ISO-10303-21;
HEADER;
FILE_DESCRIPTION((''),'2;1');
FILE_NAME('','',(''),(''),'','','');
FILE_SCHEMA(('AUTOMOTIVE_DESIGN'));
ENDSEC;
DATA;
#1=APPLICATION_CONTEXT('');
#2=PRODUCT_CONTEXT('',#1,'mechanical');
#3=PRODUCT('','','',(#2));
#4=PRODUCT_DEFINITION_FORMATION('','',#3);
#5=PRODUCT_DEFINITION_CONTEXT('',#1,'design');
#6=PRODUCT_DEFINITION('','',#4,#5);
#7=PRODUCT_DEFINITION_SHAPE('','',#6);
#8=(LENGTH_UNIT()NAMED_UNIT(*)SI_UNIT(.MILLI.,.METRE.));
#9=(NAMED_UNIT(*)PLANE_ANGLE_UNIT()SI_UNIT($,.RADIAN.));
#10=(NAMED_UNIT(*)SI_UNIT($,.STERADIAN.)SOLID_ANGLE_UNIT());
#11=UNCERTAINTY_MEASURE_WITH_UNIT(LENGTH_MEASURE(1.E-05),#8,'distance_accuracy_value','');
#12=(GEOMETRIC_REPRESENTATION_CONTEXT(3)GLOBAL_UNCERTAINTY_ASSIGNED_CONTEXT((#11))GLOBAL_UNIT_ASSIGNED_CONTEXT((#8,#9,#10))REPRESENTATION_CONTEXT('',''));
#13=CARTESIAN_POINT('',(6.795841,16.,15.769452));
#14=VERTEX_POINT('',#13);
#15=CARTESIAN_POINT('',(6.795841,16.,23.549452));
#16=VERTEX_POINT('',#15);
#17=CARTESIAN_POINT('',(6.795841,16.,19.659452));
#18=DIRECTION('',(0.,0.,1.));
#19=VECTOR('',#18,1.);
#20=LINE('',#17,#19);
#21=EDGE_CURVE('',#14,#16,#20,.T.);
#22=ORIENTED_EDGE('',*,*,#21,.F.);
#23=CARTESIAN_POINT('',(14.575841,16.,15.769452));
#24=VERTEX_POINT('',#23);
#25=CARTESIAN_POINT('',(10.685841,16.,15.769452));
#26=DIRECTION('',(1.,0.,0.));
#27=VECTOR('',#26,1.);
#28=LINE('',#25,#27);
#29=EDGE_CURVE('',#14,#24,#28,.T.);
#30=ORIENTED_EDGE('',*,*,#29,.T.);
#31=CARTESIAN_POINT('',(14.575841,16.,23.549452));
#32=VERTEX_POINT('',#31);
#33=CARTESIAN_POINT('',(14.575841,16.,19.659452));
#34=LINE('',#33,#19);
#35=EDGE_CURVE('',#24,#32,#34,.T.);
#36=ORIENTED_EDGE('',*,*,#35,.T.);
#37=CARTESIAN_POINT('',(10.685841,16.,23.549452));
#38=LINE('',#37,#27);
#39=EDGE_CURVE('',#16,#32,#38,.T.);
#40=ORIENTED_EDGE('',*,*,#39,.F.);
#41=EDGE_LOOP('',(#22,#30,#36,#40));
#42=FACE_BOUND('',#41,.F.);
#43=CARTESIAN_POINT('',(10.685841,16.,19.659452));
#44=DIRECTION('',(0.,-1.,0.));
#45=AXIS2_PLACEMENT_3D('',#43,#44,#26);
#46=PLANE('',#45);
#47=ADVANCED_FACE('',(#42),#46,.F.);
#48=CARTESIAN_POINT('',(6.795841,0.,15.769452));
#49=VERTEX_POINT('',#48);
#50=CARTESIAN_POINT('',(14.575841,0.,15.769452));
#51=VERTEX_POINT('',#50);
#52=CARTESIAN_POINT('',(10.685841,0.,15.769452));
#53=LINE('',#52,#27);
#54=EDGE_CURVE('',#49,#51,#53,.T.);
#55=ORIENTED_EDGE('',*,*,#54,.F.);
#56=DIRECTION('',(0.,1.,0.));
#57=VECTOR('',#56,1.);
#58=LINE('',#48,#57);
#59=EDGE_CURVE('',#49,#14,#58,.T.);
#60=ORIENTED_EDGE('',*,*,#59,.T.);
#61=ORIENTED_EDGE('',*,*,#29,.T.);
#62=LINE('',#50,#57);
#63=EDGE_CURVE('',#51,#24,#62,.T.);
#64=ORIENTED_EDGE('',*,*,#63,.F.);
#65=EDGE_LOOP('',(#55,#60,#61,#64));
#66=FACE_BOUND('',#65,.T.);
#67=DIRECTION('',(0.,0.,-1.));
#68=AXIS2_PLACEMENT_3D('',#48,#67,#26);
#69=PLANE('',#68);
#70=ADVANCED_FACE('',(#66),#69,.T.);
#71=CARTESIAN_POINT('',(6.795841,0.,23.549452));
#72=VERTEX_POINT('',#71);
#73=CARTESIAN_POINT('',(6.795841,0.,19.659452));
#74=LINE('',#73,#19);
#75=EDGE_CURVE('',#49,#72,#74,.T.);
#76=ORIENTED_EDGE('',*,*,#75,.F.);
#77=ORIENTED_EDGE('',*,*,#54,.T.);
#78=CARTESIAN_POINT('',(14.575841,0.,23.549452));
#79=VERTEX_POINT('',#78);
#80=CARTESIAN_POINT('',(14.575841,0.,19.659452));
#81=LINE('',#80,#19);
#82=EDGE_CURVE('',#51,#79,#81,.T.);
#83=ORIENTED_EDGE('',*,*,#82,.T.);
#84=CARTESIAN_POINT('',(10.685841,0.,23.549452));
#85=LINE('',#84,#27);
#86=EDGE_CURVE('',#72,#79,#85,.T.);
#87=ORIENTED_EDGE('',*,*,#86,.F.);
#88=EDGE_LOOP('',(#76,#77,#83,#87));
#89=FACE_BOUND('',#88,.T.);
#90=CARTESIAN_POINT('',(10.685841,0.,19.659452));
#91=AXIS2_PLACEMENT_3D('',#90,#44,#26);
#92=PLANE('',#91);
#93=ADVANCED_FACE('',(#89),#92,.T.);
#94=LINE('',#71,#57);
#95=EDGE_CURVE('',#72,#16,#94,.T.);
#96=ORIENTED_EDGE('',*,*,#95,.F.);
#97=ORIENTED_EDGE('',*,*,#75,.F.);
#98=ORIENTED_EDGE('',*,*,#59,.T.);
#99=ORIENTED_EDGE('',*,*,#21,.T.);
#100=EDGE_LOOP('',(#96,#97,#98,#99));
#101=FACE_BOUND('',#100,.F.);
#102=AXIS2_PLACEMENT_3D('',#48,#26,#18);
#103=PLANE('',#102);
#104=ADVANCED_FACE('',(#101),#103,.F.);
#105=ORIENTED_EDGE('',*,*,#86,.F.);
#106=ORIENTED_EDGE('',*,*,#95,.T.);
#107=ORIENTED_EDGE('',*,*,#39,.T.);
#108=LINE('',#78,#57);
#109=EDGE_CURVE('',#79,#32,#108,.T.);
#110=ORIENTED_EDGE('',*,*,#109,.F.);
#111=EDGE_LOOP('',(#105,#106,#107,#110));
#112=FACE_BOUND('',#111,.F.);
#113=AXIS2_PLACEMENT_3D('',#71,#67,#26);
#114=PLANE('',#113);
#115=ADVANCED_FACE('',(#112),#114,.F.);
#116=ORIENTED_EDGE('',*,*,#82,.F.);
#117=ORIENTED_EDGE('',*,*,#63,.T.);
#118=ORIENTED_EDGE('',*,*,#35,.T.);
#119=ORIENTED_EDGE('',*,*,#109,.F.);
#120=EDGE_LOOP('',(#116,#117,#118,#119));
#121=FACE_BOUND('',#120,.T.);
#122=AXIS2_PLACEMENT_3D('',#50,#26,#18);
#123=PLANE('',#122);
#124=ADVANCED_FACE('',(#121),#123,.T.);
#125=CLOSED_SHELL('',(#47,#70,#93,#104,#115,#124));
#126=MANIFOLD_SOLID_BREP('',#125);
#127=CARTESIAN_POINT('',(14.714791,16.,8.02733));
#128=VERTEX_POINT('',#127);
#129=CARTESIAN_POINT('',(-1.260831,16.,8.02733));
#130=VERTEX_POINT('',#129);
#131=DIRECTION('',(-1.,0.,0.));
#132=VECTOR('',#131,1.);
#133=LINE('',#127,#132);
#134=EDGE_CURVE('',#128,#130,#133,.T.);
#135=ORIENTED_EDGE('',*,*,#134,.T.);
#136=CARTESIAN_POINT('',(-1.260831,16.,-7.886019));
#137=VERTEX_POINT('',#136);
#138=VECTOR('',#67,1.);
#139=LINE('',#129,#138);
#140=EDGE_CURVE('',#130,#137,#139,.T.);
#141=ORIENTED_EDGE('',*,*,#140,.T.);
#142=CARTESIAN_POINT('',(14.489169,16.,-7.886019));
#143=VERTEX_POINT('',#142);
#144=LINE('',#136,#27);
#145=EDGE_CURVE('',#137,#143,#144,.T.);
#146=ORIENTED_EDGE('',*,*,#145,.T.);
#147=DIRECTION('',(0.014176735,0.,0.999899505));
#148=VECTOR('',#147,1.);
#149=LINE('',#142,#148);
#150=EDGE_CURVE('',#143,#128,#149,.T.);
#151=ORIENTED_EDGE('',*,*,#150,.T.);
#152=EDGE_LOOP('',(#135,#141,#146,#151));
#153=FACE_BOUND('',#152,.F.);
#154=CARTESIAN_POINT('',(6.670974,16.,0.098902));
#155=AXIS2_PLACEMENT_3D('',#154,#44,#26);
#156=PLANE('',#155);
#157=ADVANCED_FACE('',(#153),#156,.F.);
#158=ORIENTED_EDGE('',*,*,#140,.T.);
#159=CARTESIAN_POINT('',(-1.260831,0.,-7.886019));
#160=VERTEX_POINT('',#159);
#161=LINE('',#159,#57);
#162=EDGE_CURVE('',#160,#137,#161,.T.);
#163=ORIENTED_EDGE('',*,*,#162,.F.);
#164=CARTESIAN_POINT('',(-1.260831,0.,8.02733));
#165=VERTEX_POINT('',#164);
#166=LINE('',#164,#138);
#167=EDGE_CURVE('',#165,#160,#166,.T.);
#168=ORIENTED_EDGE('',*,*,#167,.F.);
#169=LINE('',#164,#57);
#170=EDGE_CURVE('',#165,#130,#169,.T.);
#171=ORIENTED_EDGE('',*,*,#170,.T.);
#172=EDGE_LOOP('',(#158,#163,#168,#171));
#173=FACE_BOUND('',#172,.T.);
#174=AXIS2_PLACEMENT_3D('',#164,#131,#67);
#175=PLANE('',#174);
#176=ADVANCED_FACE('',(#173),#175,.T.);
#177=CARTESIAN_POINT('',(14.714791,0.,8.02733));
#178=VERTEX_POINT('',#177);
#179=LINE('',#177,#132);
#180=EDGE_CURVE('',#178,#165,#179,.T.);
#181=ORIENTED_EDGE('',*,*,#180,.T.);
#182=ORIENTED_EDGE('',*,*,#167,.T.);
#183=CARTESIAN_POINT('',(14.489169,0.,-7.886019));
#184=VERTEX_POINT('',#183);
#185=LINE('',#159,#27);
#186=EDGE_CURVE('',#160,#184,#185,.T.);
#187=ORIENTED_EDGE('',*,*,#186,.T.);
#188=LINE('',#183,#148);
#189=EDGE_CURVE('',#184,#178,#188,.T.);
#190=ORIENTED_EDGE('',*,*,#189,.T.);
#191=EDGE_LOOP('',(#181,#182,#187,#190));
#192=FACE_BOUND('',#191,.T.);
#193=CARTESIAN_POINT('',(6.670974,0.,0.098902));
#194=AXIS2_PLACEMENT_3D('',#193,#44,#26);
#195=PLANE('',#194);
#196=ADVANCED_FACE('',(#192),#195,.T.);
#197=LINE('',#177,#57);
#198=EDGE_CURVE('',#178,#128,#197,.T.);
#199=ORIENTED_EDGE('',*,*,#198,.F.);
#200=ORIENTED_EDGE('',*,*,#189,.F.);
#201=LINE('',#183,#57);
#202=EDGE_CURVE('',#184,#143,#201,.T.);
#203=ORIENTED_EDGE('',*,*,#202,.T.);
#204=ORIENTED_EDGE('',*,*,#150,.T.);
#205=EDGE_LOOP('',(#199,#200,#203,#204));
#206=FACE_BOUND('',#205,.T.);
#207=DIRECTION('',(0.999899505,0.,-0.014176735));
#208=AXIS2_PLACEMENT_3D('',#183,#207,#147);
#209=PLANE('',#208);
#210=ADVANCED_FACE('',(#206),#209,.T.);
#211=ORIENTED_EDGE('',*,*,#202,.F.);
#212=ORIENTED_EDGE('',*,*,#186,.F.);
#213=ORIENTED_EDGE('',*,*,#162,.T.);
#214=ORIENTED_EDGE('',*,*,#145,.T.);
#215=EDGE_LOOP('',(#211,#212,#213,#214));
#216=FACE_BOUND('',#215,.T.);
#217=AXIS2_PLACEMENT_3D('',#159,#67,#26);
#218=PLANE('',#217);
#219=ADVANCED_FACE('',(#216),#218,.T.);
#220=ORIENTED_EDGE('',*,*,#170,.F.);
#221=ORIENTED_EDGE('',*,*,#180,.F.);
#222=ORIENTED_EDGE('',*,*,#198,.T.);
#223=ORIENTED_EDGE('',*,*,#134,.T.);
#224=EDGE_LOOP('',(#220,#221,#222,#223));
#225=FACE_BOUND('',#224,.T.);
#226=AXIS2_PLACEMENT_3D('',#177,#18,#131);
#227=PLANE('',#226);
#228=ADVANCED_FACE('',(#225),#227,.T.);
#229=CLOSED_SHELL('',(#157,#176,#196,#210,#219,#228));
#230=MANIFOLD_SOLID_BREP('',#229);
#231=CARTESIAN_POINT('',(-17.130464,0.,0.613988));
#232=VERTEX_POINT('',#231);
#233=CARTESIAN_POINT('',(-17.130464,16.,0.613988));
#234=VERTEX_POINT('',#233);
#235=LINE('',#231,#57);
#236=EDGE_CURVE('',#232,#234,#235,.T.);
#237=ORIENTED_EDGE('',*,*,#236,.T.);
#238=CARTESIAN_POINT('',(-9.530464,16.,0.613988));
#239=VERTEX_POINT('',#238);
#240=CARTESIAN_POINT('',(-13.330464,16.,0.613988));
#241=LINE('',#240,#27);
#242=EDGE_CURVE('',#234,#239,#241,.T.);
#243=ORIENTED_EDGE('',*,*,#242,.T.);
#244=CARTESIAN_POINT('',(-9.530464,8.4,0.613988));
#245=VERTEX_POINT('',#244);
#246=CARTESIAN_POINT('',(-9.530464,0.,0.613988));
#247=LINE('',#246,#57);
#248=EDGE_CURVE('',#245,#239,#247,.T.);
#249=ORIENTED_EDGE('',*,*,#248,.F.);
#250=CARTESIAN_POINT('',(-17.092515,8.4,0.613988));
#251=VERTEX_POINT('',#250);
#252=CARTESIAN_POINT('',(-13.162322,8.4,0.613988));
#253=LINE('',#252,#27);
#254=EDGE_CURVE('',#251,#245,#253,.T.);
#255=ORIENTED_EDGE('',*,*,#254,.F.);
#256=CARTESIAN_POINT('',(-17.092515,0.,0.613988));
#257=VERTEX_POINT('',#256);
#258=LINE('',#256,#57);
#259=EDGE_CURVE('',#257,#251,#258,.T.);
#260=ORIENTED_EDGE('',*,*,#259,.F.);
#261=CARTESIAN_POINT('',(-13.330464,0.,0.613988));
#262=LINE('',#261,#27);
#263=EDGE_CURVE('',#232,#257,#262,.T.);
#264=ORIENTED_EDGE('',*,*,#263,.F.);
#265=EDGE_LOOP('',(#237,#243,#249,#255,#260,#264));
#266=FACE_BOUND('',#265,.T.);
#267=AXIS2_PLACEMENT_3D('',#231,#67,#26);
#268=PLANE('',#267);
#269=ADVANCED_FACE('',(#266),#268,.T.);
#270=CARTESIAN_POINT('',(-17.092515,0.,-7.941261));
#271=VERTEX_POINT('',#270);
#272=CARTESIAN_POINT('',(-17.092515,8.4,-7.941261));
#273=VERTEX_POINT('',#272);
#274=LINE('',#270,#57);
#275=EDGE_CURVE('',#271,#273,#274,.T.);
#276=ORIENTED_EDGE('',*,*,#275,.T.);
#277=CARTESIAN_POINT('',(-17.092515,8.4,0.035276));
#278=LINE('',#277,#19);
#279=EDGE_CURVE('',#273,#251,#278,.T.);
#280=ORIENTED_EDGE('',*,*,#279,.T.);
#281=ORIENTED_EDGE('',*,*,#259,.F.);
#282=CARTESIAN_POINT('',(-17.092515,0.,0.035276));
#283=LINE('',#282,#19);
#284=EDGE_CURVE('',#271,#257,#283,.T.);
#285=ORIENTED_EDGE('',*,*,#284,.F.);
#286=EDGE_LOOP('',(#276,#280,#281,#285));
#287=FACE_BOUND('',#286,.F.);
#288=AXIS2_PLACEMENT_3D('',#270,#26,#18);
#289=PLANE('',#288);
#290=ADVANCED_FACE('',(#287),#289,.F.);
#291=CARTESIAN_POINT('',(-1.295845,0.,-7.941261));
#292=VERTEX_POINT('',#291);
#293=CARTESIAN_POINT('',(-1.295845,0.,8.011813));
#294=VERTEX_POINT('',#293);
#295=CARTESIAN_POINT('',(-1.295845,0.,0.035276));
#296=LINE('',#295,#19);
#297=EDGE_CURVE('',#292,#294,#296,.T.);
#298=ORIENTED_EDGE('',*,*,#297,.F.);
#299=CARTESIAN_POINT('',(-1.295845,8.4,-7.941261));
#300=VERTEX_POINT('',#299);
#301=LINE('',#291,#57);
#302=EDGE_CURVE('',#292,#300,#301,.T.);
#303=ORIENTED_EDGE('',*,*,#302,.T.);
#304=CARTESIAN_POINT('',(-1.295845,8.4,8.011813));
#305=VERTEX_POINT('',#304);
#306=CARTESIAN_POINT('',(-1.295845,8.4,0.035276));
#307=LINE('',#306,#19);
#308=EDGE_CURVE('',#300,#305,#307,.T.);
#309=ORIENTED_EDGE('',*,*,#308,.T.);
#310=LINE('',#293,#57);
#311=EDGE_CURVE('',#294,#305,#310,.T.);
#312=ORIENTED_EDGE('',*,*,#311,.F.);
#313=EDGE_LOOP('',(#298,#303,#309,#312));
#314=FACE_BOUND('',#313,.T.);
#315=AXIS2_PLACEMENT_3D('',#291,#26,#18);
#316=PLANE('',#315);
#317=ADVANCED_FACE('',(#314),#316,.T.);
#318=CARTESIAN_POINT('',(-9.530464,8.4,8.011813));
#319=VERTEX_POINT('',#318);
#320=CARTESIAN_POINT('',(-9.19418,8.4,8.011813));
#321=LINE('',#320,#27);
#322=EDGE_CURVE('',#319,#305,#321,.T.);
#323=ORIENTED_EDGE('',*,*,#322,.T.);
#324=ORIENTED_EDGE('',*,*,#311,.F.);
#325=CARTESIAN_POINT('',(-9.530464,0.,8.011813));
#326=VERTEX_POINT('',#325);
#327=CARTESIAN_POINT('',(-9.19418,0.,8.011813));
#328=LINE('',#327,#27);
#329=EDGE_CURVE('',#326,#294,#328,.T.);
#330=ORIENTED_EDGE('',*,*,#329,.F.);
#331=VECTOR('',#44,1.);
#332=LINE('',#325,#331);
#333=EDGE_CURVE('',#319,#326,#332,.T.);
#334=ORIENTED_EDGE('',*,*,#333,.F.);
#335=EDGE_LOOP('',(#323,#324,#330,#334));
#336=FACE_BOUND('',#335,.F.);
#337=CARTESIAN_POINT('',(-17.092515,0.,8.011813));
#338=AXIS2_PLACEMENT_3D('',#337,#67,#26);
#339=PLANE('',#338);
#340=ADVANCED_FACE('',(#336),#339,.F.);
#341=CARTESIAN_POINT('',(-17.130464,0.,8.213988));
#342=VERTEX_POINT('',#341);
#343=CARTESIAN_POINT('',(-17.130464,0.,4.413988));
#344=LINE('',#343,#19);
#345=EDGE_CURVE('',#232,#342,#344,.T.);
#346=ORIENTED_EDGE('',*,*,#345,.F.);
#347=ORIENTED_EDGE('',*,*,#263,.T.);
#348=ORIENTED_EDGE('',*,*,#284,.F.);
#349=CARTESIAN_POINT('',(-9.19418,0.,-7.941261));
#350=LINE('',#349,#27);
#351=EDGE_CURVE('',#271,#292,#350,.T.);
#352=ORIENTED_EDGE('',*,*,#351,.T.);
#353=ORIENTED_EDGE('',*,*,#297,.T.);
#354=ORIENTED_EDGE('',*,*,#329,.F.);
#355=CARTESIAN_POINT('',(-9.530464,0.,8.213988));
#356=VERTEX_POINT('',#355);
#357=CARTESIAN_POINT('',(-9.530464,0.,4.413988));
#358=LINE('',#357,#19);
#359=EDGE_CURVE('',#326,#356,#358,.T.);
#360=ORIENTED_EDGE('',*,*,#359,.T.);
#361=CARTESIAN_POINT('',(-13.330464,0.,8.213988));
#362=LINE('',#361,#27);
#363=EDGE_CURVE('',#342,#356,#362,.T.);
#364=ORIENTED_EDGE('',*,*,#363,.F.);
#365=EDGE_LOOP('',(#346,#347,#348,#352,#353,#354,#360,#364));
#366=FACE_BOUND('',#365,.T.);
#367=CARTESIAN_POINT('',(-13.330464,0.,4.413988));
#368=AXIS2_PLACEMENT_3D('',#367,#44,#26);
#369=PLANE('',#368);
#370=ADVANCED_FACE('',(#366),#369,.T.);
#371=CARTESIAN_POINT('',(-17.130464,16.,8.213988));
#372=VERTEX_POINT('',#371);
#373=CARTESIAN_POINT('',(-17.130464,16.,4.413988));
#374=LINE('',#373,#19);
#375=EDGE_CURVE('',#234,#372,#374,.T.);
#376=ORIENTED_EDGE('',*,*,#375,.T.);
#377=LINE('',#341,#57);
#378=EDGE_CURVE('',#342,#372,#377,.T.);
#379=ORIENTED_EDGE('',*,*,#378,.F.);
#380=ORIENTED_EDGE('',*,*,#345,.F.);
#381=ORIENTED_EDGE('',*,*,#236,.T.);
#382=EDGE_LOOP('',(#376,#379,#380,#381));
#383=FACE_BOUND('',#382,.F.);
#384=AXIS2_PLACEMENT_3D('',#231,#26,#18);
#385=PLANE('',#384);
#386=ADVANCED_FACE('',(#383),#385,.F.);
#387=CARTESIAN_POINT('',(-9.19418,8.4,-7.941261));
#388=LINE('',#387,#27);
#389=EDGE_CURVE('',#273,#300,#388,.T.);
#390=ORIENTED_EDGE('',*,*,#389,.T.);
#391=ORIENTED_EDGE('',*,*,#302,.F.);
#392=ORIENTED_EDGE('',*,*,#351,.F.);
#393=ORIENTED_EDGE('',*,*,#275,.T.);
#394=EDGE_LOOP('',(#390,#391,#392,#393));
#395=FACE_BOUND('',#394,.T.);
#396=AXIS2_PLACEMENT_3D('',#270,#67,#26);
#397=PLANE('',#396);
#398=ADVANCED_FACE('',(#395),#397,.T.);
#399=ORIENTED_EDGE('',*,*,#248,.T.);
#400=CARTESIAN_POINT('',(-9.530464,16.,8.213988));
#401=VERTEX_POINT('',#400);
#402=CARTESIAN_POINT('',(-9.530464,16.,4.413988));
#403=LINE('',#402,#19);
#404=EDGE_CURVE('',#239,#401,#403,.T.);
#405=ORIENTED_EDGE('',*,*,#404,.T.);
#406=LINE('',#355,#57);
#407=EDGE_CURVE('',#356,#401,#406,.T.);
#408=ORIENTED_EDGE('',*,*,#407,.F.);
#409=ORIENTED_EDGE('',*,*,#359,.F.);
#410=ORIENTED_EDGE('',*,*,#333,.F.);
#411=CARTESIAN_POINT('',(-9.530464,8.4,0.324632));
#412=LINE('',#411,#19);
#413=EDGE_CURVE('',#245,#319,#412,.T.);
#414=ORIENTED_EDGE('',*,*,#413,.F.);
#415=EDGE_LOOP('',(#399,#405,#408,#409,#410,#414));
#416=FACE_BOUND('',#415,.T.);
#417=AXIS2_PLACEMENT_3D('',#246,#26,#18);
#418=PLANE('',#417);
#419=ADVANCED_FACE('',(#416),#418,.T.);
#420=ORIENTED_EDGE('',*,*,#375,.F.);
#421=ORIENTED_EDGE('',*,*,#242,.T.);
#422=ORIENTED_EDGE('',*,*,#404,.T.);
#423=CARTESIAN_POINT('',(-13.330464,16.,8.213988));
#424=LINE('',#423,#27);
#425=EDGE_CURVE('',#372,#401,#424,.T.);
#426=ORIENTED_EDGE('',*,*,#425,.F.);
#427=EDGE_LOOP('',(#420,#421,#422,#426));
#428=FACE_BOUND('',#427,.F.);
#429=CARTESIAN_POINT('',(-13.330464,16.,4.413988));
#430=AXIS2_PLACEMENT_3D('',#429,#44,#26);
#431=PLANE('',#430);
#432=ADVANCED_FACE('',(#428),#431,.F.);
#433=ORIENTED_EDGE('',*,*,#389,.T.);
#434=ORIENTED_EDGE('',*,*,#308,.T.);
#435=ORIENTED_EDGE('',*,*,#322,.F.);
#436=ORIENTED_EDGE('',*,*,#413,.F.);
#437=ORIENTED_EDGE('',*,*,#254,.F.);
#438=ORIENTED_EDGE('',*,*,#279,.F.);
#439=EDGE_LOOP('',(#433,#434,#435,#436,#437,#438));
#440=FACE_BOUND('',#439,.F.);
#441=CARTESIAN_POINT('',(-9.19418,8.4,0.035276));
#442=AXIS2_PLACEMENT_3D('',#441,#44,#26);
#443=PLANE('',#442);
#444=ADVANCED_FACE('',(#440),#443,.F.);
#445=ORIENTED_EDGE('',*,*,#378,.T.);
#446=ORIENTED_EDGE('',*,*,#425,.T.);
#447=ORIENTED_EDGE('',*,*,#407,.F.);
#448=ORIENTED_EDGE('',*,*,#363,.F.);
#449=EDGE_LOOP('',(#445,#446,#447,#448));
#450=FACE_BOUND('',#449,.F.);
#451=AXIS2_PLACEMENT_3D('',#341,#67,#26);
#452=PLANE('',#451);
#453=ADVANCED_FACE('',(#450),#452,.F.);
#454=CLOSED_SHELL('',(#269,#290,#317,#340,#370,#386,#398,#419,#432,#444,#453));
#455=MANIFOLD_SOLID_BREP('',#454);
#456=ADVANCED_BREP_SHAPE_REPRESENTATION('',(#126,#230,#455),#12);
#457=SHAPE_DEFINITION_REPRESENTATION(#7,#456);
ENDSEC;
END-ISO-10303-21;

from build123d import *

# Parameters (mm, degrees)
F1_W     = 7.78
F1_H     = 7.78
F2_DEPTH = 16
F3_W     = 15.79667
F3_H     = 15.953074
F4_DEPTH = 8.4
F5_W     = 7.6
F5_H     = 7.6
F6_DEPTH = 16


with BuildPart() as f2:
    # F1 (on face) → F2 (new body)
    with BuildSketch(Plane.XZ):
        with Locations((10.685841, 19.659452)):
            Rectangle(F1_W, F1_H)
        Polygon((-1.260831, -7.886019), (14.489169, -7.886019), (14.714791, 8.02733), (-1.260831, 8.02733), (-1.260831, 0), align=None)
    extrude(amount=-F2_DEPTH)


with BuildPart() as f4:
    # F3 (on face) → F4 (new body)
    with BuildSketch(Plane.XZ):
        with Locations((-9.19418, 0.035276)):
            Rectangle(F3_W, F3_H)
    extrude(amount=-F4_DEPTH)

    # F5 (on face) → F6 (join)
    with BuildSketch(Plane.XZ):
        with Locations((-13.330464, 4.413988)):
            Rectangle(F5_W, F5_H)
    extrude(amount=-F6_DEPTH)


solid = Compound([f2.part, f4.part])
